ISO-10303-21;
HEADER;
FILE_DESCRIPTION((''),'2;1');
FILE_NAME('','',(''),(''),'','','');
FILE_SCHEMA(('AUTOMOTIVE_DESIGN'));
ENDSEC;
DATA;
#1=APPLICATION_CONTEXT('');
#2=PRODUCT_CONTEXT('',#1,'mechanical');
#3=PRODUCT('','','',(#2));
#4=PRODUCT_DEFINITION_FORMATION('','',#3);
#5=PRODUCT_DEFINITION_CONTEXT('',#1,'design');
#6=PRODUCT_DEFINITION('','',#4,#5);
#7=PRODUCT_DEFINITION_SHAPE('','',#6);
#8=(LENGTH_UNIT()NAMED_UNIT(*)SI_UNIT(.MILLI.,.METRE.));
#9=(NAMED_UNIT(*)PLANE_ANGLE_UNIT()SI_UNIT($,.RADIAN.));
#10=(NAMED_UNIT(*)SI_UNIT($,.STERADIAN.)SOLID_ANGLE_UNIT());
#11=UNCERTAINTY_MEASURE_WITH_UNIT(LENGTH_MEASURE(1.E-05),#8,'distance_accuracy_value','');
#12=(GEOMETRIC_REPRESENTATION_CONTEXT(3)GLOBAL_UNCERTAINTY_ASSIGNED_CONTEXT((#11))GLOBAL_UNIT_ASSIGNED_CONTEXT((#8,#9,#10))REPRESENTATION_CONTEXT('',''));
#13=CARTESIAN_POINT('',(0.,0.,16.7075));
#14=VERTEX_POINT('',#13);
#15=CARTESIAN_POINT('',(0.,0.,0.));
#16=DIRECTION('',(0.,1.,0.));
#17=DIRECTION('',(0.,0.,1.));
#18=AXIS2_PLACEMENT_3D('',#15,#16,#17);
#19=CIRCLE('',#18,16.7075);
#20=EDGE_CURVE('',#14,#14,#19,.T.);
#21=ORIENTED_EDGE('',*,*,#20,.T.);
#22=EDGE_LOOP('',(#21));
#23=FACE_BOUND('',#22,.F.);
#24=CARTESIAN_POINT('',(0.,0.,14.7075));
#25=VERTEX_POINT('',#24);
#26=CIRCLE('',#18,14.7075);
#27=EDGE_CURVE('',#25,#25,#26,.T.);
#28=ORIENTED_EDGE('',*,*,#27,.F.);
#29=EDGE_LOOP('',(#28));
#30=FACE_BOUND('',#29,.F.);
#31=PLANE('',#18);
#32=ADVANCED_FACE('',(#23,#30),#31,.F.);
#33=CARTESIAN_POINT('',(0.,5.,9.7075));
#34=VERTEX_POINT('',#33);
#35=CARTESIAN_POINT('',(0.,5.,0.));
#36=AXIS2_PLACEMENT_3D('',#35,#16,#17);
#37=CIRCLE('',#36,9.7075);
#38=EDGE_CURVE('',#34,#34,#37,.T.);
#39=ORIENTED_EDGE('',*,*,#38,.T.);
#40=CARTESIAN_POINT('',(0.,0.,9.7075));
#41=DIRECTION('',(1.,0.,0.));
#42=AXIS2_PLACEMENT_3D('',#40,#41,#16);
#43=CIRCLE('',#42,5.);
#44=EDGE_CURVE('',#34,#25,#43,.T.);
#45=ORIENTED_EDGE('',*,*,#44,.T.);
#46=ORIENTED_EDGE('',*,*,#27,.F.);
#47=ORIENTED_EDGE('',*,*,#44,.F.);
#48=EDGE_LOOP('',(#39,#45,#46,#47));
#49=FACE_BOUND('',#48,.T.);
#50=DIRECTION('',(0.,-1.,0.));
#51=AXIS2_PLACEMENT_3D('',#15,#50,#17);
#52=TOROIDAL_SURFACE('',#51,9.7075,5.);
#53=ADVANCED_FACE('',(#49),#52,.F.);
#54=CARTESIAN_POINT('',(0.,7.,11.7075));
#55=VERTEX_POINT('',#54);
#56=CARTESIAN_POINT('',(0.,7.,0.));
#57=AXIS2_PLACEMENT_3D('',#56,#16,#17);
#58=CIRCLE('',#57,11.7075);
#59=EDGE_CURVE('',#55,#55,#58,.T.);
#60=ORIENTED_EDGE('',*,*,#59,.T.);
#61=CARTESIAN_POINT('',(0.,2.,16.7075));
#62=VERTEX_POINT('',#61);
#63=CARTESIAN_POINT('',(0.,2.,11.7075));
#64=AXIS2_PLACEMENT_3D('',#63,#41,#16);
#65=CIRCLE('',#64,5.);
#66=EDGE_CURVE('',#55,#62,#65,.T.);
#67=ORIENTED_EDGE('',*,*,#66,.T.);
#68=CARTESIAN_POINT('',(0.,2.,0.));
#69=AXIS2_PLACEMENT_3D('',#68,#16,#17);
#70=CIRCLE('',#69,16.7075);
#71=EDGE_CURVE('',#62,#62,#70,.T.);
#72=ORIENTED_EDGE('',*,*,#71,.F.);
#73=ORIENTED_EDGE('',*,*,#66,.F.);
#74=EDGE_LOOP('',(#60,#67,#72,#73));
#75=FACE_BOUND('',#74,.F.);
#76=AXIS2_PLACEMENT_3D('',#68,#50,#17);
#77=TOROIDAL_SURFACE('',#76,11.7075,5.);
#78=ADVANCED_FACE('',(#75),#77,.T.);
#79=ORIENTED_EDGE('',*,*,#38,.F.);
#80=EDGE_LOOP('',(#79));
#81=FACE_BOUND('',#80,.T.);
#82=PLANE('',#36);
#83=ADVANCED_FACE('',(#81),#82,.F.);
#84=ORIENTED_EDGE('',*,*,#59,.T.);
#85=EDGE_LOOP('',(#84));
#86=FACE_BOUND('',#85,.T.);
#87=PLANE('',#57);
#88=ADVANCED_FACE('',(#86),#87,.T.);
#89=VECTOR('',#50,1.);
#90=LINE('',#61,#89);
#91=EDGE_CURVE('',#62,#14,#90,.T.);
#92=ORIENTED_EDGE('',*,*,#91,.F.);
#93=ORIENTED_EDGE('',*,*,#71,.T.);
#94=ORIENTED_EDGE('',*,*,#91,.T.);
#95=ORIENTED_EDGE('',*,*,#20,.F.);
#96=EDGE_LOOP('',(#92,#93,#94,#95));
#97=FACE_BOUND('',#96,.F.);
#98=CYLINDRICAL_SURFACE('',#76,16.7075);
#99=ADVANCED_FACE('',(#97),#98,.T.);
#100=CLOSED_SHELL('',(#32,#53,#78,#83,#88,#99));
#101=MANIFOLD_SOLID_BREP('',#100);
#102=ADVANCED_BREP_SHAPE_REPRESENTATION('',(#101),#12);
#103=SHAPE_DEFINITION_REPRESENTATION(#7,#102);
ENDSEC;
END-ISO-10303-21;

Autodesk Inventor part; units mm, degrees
ref_plane "YZ Plane" through (0, 0, 0) normal (1, 0, 0) x (0, 1, 0)
ref_plane "XZ Plane" through (0, 0, 0) normal (0, 1, 0) x (-1, 0, 0)
ref_plane "XY Plane" through (0, 0, 0) normal (0, 0, 1) x (1, 0, 0)
sketch "Sketch2" plane through (0, 0, 0) normal (1, 0, 0) x (0, 1, 0)
  line L0 (0, 0) -> (5, 0)
  line L1 (5, 0) -> (5, 9.7075)
  line L2 (0, 14.7075) -> (0, 14.7075)
  arc A0 (5, 9.7075) -> (0, 14.7075) centre (0, 9.7075) ccw
  line L3 (5, 0) -> (7, 0)
  line L4 (2, 16.7075) -> (0, 16.7075)
  line L5 (0, 16.7075) -> (0, 14.7075)
  line L6 (7, 11.7075) -> (7, 0)
  arc A1 (7, 11.7075) -> (2, 16.7075) centre (2, 11.7075) ccw
  dimension "d1" = 5
  dimension "d2" = 5
  dimension "d3" = 2
  dimension "d5" = 5
revolve "Revolution1" add sketch "Sketch2" angle 360 about axis through (0, 0, 0) along (0, 1, 0)
properties part number "camera cover" material "PET Plastic"
